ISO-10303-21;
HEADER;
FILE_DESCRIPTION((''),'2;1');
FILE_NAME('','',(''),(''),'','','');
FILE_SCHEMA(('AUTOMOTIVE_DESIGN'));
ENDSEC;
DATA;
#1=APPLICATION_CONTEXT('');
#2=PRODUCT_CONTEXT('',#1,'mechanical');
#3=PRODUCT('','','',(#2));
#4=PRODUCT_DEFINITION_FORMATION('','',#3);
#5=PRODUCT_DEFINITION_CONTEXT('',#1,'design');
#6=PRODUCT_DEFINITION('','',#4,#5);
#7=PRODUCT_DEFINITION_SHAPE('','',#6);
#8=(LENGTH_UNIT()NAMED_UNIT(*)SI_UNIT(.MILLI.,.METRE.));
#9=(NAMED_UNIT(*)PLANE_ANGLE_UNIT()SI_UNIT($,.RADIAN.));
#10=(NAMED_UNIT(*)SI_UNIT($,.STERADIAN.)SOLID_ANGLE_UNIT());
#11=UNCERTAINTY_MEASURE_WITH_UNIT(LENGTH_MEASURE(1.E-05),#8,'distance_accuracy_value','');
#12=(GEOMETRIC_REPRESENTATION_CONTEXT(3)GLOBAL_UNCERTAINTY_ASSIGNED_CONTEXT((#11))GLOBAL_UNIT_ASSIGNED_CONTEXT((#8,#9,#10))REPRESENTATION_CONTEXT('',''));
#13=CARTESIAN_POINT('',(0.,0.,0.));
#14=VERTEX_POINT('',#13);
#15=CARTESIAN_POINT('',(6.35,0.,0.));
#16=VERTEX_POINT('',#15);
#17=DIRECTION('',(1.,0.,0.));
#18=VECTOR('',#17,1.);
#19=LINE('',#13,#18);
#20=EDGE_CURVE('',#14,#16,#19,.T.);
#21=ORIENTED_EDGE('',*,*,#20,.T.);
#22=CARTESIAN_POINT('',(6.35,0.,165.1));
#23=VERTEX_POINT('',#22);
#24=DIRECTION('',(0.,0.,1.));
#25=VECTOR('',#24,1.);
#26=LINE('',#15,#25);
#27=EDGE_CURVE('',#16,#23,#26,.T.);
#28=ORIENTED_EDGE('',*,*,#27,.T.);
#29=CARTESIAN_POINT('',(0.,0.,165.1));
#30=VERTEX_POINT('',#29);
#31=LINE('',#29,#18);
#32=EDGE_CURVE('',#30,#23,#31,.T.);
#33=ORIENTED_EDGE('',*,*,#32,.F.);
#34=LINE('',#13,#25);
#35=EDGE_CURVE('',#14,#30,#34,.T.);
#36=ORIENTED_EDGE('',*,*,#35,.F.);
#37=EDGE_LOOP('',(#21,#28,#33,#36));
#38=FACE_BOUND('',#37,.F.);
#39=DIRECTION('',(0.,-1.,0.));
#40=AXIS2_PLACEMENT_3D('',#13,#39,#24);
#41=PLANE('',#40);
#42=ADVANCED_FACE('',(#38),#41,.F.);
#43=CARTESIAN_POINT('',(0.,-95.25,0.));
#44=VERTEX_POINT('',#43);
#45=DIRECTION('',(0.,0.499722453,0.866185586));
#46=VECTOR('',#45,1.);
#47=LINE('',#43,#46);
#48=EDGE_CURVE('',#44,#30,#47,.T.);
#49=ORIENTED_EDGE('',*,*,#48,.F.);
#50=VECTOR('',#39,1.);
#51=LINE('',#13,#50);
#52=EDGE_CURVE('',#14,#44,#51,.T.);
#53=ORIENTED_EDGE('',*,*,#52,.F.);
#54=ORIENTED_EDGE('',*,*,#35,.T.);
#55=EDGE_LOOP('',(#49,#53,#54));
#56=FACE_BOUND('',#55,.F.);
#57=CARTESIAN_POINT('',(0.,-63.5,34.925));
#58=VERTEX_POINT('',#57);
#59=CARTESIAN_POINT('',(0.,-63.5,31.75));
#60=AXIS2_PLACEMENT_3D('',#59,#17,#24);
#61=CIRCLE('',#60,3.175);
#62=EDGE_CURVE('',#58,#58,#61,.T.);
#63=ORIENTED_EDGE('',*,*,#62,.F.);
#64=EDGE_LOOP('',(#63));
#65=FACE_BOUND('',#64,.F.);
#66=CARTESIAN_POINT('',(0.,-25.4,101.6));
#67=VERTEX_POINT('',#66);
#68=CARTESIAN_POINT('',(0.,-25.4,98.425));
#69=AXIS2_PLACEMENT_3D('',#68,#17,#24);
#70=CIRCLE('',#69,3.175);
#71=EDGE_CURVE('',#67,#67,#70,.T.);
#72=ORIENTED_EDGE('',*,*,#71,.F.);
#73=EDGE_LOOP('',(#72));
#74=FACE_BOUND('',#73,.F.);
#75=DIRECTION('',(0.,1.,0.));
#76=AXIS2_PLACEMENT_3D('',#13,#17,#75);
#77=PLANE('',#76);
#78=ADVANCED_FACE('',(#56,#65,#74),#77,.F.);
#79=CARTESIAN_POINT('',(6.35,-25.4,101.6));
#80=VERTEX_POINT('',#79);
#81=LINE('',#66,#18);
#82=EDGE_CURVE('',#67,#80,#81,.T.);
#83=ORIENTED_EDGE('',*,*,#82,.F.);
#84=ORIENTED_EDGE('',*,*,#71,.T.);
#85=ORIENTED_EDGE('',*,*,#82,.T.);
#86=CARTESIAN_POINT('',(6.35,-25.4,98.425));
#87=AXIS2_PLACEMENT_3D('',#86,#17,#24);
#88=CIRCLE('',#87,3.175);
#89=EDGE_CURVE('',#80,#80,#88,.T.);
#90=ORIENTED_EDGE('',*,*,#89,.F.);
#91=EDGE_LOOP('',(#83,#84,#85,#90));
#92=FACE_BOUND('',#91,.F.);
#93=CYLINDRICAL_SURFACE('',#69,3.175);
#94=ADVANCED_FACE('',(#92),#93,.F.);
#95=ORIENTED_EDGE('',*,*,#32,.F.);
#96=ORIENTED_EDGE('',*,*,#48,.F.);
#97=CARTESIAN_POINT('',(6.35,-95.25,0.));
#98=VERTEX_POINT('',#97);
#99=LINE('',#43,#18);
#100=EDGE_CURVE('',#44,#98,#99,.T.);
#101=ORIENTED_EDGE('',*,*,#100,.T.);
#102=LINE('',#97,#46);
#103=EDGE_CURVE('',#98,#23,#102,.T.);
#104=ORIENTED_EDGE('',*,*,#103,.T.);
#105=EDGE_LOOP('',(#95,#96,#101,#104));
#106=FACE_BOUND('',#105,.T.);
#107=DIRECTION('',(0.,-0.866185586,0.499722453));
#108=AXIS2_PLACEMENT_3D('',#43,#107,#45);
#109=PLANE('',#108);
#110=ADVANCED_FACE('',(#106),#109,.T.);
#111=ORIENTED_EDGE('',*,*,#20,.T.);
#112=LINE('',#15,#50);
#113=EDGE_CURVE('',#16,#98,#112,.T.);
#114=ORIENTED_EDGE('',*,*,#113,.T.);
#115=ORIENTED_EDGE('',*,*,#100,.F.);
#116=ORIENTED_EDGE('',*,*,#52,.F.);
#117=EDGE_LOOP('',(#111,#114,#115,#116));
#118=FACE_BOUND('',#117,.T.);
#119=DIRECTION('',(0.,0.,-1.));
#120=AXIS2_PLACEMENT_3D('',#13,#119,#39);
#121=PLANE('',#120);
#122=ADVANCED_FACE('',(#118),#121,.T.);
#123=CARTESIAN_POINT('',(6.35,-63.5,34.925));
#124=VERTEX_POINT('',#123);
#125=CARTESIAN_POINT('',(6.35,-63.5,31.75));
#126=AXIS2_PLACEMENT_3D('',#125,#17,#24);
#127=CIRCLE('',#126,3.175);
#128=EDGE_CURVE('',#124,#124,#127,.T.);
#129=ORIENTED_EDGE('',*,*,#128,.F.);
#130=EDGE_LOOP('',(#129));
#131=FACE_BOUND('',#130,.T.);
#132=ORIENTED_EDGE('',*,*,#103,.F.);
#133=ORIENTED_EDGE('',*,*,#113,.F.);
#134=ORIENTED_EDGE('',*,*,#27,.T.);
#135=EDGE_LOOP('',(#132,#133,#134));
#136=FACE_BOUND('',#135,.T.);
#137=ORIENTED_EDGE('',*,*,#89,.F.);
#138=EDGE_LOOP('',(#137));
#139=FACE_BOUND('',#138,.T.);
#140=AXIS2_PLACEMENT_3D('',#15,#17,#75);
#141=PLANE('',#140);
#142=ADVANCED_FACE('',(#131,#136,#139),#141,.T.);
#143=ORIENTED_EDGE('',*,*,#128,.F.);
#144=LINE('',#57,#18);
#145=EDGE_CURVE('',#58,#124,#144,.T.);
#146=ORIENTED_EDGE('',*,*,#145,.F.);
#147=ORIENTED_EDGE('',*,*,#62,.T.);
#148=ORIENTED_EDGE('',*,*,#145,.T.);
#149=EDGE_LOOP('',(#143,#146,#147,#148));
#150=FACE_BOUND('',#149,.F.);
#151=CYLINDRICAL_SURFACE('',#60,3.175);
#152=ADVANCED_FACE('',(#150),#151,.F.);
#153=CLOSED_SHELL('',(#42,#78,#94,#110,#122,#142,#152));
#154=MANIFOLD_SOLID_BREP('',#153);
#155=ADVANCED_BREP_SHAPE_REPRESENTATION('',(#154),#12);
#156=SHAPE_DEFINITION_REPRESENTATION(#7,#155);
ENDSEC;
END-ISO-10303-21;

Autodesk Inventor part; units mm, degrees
ref_plane "YZ Plane" through (0, 0, 0) normal (1, 0, 0) x (0, 1, 0)
ref_plane "XZ Plane" through (0, 0, 0) normal (0, 1, 0) x (-1, 0, 0)
ref_plane "XY Plane" through (0, 0, 0) normal (0, 0, 1) x (1, 0, 0)
sketch "Sketch1" plane through (0, 0, 0) normal (1, 0, 0) x (0, 1, 0)
  line L0 (0, 0) -> (0, 165.1)
  line L1 (0, 0) -> (-95.25, 0)
  line L2 (-95.25, 0) -> (0, 165.1)
  dimension "d0" = 165.1
  dimension "d1" = 95.25
extrude "Extrusion1" add sketch "Sketch1" along normal blind 6.35
sketch "Sketch2" plane through (0, 0, 0) normal (-1, 0, 0) x (0, 0, 1)
  line L0 (0, 0) -> (165.1, 0) projected
  line L1 (0, -95.25) -> (0, 0) projected
  point P0 (98.425, -25.4)
  point P1 (31.75, -63.5)
  dimension "d4" = 25.4
  dimension "d5" = 98.425
  dimension "d6" = 31.75
  dimension "d7" = 63.5
hole "Hole1" at (0, -25.4, 98.425) at (0, -63.5, 31.75) direction (1, 0, 0) diameter 6.35 end through all
properties part number "30deg gusset plate" material "Aluminum 6061"
